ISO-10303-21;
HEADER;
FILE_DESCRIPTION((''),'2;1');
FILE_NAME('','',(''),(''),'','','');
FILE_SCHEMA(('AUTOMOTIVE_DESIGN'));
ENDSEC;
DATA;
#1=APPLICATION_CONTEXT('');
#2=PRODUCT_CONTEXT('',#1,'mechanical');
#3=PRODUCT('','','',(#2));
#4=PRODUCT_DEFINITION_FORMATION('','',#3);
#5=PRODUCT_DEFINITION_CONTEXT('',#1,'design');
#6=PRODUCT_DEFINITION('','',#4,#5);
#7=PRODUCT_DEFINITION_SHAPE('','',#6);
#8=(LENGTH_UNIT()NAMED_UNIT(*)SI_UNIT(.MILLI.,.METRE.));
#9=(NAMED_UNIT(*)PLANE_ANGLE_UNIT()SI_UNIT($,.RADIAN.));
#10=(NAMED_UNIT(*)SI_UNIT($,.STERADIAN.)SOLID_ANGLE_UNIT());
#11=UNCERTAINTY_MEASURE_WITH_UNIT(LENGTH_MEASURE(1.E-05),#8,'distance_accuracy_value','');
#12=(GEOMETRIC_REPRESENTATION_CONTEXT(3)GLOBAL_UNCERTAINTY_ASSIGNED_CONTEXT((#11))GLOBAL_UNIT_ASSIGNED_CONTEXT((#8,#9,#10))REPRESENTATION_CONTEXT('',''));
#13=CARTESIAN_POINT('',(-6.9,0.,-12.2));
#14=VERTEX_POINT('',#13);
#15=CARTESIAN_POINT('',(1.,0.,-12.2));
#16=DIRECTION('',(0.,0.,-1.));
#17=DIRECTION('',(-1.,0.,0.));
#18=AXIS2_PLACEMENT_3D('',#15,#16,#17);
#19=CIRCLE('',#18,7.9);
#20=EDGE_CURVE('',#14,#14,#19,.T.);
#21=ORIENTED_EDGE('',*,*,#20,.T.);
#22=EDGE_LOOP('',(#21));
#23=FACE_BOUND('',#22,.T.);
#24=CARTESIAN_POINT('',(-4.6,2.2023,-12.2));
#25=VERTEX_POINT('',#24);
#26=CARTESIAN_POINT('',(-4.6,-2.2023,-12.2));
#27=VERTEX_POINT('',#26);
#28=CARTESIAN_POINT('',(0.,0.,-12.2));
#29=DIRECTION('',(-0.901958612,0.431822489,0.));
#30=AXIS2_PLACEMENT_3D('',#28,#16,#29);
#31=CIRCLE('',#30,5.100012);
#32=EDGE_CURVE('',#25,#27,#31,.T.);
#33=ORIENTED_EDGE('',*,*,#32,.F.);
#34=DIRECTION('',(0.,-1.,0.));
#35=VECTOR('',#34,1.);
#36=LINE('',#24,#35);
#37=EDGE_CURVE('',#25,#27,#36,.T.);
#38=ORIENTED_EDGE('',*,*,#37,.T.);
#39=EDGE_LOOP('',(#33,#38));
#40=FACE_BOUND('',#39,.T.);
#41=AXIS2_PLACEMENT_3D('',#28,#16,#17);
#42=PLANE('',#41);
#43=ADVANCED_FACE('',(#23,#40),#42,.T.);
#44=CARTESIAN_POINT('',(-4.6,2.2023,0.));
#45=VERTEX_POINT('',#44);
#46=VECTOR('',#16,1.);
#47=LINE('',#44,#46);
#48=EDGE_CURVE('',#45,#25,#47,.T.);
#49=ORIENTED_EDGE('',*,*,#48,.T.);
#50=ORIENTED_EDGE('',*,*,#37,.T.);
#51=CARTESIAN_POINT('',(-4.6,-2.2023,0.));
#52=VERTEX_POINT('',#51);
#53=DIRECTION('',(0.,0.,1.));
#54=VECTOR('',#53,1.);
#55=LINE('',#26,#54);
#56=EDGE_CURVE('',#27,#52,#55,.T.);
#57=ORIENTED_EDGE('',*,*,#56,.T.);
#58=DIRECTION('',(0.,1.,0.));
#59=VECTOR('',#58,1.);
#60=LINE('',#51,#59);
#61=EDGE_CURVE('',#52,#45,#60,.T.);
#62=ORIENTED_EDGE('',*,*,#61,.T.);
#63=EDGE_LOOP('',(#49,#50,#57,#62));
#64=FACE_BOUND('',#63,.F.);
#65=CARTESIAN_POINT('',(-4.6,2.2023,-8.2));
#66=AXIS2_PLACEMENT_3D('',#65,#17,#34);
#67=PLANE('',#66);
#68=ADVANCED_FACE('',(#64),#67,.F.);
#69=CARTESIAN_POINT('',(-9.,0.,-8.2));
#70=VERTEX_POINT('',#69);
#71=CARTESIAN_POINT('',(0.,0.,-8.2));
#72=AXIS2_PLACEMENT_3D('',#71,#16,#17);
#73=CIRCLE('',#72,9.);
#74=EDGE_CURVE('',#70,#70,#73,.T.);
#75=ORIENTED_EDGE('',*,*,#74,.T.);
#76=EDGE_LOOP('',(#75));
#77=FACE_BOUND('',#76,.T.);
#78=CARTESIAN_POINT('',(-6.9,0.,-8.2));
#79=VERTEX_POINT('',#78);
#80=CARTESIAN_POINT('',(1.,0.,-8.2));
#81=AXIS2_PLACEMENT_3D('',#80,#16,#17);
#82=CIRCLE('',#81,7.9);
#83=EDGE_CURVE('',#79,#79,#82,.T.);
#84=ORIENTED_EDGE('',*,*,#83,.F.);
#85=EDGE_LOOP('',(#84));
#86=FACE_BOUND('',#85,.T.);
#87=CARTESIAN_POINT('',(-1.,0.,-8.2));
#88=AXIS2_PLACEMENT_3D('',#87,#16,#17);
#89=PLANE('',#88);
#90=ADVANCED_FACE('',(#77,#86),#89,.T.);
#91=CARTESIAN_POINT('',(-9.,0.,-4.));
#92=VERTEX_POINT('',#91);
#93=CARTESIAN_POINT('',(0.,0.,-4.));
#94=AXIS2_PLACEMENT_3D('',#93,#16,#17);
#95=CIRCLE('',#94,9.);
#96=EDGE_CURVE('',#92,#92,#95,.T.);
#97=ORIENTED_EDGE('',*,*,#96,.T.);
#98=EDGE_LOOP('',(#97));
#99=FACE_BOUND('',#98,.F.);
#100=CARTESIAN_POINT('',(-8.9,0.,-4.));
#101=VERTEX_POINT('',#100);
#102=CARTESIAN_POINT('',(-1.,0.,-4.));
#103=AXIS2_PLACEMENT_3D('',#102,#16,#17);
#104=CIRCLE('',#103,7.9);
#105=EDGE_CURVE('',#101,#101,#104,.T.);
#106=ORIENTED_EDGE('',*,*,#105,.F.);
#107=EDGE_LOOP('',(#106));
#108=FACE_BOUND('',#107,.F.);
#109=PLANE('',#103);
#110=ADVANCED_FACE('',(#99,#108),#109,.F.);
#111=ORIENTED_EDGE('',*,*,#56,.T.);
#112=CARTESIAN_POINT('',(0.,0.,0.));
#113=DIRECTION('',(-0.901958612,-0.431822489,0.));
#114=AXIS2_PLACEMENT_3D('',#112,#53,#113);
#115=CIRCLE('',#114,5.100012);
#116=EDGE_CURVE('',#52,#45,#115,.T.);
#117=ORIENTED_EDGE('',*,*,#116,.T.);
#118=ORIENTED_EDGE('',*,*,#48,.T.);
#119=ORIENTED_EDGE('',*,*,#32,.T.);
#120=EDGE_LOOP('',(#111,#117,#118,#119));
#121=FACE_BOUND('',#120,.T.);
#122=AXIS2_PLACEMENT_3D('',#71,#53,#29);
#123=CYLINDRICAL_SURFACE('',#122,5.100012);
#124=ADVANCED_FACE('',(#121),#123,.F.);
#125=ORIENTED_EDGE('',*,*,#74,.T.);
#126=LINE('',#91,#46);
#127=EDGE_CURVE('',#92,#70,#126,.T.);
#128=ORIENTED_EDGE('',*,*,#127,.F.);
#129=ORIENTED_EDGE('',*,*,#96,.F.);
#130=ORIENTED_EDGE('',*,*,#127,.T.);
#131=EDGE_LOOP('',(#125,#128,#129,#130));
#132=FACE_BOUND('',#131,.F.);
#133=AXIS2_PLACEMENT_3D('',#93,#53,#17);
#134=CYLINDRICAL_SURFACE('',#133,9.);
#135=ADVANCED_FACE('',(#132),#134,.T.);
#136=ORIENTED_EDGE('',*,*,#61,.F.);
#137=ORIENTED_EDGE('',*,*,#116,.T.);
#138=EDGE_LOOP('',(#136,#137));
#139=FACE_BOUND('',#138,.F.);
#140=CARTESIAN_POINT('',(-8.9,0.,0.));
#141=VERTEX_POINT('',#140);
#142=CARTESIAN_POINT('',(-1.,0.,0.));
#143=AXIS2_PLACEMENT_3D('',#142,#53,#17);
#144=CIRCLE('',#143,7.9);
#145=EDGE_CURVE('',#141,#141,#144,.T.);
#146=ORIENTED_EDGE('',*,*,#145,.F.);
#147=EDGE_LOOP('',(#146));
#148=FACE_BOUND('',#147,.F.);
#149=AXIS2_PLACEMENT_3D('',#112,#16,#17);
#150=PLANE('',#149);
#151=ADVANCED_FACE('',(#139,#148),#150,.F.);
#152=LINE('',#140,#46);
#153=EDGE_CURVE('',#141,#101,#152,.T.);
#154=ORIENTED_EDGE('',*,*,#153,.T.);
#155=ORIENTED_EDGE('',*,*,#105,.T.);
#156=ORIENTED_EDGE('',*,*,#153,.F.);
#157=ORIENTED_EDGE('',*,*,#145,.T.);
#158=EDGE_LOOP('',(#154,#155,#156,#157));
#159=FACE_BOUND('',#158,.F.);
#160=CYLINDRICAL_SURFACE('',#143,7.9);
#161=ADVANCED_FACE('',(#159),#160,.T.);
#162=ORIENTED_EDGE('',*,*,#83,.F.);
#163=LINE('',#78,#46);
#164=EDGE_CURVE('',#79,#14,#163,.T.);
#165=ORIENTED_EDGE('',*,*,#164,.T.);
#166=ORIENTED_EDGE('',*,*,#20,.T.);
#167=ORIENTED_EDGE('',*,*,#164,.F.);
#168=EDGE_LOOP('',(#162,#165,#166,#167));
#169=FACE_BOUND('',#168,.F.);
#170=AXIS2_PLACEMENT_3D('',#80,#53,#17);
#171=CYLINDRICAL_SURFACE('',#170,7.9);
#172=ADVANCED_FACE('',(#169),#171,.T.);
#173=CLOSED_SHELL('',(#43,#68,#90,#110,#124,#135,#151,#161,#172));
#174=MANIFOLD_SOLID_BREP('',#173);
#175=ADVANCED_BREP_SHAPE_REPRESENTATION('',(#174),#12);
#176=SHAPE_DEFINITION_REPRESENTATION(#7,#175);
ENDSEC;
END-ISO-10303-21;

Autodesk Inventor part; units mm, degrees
ref_plane "YZ Plane" through (0, 0, 0) normal (1, 0, 0) x (0, 1, 0)
ref_plane "XZ Plane" through (0, 0, 0) normal (0, 1, 0) x (-1, 0, 0)
ref_plane "XY Plane" through (0, 0, 0) normal (0, 0, 1) x (1, 0, 0)
sketch "Sketch1" plane through (0, 0, 0) normal (0, 0, 1) x (1, 0, 0)
  arc A0 (-4.5, -2.1795) -> (-4.5, 2.1795) centre (0, 0) ccw construction
  line L0 (-4.5, 2.1795) -> (-4.5, -2.1795) construction
  arc A1 (-4.5, 2.1795) -> (-4.5, -2.1795) centre (0, 0) ccw construction
  arc A2 (-4.6, -2.2023) -> (-4.6, 2.2023) centre (0, 0) ccw
  line L1 (-4.6, -2.2023) -> (-4.6, 2.2023)
  circle A3 centre (0, 0) radius 8
  dimension "d0" = 10
  dimension "d1" = 4.359
  dimension "d2" = 0.1
  dimension "d3" = 16
extrude "Extrusion1" add sketch "Sketch1" along normal blind 4
sketch "Sketch2" plane through (0, 0, 0) normal (0, 0, -1) x (-1, 0, 0)
  circle A0 centre (1, 0) radius 7.9
  arc A1 (4.6, 2.2023) -> (4.6, -2.2023) centre (0, 0) ccw projected
  line L0 (4.6, -2.2023) -> (4.6, 2.2023) projected
  dimension "d6" = 15.8
  dimension "d7" = 1
extrude "Extrusion2" add sketch "Sketch2" along normal blind 4
sketch "Sketch5" plane through (0, 0, 4) normal (0, 0, 1) x (1, 0, 0)
  circle A0 centre (0, 0) radius 8 projected
extrude "Extrusion5" cut sketch "Sketch5" against normal up to surface (4 mm away)
sketch "Sketch6" plane through (-1, 0, -4) normal (0, 0, -1) x (-1, 0, 0)
  circle A0 centre (-1, 0) radius 9
  arc A1 (3.6, 2.2023) -> (3.6, -2.2023) centre (-1, 0) ccw projected
  line L0 (3.6, 2.2023) -> (3.6, -2.2023) projected
  dimension "d19" = 18
extrude "Extrusion6" add sketch "Sketch6" along normal blind 4.2
sketch "Sketch7" plane through (0, 0, -8.2) normal (0, 0, -1) x (-1, 0, 0)
  circle A0 centre (-1, 0) radius 7.9
  arc A1 (4.6, 2.2023) -> (4.6, -2.2023) centre (0, 0) ccw projected
  line L0 (4.6, 2.2023) -> (4.6, -2.2023) projected
  dimension "d22" = 15.8
  dimension "d23" = 1
extrude "Extrusion7" add sketch "Sketch7" along normal blind 4
properties part number "EccentricBearingShaft"
